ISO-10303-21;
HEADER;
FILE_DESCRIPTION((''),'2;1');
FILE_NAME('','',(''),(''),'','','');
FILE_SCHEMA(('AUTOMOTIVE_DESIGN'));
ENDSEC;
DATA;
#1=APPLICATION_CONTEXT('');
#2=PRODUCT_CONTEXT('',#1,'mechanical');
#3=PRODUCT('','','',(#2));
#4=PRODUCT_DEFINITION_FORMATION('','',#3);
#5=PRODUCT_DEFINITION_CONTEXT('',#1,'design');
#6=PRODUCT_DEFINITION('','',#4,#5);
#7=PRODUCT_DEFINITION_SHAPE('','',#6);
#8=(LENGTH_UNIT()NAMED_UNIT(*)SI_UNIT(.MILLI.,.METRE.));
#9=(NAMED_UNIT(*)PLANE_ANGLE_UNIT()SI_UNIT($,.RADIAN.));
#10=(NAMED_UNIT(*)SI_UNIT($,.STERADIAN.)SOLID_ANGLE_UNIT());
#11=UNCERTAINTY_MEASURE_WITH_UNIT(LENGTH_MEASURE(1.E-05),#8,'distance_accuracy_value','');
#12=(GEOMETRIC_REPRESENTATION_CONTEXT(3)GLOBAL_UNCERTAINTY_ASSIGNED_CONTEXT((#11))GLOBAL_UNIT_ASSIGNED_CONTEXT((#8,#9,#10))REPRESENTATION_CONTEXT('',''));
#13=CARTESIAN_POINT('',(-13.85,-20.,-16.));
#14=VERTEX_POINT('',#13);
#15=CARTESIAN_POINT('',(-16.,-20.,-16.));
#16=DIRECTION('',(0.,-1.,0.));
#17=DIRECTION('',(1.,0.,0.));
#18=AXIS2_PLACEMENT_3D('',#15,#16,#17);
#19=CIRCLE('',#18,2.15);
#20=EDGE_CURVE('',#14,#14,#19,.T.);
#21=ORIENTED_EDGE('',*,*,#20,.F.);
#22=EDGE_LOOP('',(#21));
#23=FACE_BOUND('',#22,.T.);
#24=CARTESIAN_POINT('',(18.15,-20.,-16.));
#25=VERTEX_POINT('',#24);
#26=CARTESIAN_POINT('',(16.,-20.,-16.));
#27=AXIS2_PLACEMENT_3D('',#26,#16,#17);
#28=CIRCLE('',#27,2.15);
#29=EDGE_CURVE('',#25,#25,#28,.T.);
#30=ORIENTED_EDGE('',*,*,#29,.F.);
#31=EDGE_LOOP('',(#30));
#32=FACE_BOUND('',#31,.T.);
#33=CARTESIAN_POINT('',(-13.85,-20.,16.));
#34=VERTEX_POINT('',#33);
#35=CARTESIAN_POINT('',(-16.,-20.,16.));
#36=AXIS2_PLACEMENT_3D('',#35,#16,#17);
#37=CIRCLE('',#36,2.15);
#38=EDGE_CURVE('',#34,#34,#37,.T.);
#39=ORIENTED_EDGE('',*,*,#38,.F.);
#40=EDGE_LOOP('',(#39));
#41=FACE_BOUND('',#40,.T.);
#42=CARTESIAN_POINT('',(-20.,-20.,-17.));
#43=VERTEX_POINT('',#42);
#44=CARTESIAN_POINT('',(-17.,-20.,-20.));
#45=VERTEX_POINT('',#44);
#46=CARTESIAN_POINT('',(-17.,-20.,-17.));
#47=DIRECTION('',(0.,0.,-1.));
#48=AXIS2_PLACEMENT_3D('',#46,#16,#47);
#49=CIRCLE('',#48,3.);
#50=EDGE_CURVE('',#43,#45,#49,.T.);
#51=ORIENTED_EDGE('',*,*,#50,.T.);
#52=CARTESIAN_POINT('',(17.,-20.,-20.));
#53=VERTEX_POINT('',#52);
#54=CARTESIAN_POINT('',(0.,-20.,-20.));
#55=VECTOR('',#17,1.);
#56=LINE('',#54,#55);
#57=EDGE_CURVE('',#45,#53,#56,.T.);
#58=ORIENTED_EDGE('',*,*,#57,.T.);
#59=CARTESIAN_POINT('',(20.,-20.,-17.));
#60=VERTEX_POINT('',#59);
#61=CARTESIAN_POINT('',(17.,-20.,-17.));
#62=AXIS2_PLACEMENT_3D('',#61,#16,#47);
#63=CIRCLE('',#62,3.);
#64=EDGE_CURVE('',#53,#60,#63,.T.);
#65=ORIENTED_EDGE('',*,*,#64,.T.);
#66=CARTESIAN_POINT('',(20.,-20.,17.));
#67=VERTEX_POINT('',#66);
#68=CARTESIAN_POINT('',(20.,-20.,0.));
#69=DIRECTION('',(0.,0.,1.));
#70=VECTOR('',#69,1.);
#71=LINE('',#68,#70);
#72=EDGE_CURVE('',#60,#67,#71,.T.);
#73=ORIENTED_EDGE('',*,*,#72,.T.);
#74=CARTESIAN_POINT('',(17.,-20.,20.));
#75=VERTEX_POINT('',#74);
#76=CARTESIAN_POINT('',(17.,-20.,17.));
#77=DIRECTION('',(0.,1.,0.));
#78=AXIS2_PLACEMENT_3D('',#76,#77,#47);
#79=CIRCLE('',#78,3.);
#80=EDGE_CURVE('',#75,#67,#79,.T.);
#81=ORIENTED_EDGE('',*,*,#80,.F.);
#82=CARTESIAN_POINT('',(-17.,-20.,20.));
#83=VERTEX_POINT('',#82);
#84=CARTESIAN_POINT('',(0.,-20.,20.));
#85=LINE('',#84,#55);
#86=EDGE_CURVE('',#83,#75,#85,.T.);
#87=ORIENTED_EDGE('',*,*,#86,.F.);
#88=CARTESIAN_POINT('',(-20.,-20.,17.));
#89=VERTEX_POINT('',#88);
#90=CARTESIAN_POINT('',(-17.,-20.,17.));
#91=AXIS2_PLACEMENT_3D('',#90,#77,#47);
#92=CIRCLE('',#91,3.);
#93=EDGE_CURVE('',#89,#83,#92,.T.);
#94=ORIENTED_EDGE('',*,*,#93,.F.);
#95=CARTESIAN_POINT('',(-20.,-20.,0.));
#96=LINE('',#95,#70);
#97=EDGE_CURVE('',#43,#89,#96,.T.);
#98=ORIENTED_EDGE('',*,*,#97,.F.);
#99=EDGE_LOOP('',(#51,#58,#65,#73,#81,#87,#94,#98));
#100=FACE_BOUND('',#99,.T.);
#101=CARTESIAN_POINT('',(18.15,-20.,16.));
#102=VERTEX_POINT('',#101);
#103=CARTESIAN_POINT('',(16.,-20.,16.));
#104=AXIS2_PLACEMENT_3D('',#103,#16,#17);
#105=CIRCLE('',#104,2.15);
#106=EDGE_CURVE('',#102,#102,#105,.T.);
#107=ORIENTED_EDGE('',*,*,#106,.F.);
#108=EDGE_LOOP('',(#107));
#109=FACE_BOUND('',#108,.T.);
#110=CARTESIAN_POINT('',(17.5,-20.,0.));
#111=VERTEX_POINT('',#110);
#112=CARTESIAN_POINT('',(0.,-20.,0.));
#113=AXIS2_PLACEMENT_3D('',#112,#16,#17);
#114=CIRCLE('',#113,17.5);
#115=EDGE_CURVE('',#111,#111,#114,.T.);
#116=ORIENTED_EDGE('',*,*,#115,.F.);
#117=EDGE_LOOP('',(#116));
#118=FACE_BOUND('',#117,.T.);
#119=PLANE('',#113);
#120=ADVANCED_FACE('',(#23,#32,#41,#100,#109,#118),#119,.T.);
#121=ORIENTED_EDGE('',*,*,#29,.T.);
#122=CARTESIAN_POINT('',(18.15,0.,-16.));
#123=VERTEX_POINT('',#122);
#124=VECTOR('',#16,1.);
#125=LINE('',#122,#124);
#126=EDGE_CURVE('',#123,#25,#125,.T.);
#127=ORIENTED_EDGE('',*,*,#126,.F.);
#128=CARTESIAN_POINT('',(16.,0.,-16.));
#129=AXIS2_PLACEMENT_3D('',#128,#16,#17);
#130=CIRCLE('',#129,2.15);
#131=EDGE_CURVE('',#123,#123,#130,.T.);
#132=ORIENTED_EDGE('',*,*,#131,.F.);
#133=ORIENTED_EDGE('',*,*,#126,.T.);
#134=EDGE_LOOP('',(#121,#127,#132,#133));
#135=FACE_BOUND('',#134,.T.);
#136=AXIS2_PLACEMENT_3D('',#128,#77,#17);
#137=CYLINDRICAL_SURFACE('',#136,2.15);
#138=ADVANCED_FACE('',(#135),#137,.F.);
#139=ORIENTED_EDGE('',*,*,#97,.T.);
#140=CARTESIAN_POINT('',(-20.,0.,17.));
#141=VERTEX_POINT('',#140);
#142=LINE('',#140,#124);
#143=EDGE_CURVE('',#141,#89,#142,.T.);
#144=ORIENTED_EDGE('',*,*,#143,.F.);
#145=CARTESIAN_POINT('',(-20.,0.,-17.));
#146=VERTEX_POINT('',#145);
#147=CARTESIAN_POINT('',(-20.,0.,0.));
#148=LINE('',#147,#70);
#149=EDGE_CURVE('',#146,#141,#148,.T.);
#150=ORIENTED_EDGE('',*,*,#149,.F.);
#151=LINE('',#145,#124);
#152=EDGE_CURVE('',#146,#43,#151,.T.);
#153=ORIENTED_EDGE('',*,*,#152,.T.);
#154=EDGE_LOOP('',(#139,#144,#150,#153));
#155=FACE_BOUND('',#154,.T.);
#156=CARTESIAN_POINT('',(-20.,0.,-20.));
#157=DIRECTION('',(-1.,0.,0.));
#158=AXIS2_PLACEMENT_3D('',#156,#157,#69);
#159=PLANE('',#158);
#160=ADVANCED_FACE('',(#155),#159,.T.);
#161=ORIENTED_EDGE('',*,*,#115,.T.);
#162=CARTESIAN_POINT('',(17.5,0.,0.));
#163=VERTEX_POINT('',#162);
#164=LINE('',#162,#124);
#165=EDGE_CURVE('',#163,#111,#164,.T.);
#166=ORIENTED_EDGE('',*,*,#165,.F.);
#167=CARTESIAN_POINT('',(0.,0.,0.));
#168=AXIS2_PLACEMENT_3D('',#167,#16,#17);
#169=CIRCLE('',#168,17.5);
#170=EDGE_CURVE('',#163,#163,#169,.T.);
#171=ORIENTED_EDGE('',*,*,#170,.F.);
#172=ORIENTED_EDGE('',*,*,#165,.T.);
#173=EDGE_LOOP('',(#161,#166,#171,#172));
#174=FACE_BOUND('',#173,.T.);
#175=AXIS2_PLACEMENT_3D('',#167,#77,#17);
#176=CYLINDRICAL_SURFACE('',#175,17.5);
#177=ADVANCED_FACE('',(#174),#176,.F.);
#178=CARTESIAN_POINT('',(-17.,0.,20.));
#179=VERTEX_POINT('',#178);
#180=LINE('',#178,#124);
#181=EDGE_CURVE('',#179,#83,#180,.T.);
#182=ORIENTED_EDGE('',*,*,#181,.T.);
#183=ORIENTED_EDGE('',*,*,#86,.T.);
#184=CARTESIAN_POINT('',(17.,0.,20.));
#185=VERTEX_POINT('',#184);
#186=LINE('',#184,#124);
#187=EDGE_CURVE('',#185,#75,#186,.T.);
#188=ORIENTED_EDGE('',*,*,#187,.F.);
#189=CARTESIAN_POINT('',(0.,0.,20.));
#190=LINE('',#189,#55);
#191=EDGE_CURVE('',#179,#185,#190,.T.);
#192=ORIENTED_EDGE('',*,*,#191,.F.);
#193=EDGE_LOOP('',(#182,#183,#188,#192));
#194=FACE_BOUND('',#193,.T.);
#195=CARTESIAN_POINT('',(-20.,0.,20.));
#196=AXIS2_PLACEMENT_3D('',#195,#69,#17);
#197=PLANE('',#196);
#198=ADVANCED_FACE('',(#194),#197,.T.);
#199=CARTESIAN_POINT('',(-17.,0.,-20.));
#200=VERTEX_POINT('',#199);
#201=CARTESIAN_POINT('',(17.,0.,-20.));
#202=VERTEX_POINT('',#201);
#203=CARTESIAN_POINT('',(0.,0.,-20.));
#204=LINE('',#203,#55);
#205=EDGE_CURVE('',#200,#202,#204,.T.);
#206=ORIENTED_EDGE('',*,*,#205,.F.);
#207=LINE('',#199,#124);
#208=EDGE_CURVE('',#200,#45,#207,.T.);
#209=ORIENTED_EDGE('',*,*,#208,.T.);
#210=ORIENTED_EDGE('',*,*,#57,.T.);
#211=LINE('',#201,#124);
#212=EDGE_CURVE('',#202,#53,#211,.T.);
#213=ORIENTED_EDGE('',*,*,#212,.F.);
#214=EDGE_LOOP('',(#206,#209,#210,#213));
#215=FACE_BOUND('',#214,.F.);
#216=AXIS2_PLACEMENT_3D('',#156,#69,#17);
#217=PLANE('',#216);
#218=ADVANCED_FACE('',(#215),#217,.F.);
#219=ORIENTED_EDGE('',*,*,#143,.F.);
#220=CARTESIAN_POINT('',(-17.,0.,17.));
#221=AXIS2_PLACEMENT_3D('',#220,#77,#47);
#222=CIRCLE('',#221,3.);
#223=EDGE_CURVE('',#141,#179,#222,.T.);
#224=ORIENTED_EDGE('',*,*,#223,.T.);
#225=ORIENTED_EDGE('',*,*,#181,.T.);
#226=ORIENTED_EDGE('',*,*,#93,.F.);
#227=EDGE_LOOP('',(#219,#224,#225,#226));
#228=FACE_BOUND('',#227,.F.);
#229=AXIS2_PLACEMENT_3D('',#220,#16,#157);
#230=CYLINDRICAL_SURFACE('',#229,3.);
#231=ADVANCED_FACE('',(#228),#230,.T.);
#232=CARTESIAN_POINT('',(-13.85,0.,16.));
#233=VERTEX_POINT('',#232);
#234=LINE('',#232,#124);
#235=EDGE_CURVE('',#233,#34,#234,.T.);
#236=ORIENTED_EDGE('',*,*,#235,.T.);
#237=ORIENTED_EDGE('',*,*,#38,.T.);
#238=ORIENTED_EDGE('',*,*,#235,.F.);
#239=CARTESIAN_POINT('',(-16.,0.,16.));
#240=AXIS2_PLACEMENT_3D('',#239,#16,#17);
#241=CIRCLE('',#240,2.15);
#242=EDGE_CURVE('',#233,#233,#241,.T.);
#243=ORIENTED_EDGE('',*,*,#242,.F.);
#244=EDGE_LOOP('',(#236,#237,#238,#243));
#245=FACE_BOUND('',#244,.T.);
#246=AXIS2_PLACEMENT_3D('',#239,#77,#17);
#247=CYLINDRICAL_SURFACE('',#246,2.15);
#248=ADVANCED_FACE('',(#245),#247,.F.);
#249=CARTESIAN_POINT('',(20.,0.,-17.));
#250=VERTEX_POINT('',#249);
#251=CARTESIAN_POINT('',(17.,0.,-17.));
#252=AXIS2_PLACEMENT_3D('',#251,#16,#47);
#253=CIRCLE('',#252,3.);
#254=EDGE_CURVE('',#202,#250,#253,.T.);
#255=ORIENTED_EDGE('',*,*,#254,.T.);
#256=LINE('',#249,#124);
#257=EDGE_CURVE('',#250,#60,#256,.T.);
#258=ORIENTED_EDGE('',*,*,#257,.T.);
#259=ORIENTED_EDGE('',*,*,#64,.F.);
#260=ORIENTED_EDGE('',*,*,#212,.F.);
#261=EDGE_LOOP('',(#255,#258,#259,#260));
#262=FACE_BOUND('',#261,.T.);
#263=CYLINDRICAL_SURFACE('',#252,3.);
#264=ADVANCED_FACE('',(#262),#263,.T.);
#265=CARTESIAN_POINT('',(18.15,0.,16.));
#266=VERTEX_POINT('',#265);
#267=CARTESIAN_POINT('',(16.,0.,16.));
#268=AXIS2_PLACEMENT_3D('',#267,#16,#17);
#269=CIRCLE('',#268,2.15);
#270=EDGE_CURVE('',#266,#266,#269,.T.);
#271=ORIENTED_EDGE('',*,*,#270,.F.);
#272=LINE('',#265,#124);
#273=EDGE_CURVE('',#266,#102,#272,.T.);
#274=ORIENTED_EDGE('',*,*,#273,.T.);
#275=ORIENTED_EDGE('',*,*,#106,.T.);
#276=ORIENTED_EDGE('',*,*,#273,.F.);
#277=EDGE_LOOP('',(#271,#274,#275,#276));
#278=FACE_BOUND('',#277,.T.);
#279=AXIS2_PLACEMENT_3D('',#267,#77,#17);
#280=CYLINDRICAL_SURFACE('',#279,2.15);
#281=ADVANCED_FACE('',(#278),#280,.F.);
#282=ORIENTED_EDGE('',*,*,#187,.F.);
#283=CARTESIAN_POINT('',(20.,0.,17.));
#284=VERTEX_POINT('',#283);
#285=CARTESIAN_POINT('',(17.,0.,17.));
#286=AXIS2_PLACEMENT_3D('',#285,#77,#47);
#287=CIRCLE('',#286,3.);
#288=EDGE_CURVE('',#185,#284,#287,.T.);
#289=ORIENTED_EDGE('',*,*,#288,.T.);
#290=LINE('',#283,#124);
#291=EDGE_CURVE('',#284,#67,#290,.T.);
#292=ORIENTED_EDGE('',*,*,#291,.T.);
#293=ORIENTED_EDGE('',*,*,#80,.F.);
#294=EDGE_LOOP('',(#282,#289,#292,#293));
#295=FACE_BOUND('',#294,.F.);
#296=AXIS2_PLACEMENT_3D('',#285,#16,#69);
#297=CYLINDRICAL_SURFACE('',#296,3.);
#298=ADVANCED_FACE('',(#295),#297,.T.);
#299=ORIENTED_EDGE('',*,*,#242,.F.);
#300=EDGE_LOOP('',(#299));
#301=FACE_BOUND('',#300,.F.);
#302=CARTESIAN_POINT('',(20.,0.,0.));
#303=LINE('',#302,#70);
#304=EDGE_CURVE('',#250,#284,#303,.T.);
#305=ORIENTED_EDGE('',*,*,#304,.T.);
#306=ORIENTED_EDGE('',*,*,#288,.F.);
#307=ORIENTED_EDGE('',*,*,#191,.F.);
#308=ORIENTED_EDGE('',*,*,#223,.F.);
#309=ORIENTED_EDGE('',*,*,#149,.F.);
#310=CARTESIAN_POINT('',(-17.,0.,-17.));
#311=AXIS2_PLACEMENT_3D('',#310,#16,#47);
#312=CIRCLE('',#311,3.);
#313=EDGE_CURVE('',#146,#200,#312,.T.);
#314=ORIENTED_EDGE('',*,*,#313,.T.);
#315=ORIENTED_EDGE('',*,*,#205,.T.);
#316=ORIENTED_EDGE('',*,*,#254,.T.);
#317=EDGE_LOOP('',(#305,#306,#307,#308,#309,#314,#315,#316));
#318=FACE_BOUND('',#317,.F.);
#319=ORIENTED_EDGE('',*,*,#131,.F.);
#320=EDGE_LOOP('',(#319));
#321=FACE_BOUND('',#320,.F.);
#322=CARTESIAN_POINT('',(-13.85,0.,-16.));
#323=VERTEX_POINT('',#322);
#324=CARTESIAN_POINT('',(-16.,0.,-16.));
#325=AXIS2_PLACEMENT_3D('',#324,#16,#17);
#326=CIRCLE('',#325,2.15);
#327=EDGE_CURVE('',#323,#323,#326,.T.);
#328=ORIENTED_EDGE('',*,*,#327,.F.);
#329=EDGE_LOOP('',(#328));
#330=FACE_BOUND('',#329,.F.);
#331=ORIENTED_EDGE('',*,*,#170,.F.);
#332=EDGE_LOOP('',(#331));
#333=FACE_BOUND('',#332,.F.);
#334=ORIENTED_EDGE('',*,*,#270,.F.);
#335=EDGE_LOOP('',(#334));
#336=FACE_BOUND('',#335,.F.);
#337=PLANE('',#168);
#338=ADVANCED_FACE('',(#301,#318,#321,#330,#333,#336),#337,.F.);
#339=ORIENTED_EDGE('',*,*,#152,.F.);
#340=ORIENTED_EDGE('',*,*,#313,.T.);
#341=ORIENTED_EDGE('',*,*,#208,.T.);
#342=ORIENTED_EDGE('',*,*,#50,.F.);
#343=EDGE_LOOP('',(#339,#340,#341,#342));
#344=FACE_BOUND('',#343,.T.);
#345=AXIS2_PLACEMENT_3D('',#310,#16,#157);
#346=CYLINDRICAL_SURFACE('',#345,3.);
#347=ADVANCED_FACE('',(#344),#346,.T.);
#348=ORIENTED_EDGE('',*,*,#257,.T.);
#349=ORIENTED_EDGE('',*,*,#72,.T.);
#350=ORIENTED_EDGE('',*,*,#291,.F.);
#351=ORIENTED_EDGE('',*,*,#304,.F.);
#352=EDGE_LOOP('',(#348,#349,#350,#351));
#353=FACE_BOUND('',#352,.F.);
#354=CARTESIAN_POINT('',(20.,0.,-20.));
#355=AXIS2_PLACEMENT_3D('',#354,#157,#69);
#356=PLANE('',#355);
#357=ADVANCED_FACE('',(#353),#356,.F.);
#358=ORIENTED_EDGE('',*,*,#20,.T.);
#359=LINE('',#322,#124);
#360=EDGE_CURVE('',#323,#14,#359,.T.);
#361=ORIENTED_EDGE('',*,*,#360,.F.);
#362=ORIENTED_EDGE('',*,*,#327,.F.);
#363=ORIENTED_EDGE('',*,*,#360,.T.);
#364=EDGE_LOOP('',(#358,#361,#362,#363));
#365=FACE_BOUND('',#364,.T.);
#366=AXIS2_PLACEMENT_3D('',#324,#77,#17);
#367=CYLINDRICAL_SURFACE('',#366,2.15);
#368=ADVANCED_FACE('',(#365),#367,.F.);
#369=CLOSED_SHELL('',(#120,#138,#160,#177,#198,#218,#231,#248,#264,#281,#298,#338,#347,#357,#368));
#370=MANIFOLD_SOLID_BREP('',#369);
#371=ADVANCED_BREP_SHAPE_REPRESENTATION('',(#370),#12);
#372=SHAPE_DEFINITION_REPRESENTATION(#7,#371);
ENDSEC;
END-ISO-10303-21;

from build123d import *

# Parameters (mm, degrees)
F0_W     = 40
F0_H     = 40
F0_R     = 2.15
F0_R_2   = 17.5
F1_DEPTH = 20
F2_R     = 3


with BuildPart() as f1:
    # F0 (on Front) → F1 (new body)
    with BuildSketch(Plane.XZ):
        Rectangle(F0_W, F0_H)
        with Locations((-16, -16)):
            Circle(F0_R, mode=Mode.SUBTRACT)
        with Locations((16, -16)):
            Circle(F0_R, mode=Mode.SUBTRACT)
        with Locations((-16, 16)):
            Circle(F0_R, mode=Mode.SUBTRACT)
        Circle(F0_R_2, mode=Mode.SUBTRACT)
        with Locations((16, 16)):
            Circle(F0_R, mode=Mode.SUBTRACT)
    extrude(amount=F1_DEPTH)

    # F2
    f2_edges = [f1.edges().sort_by_distance(p)[0] for p in [
        (-20, -10, 20),
        (20, -10, 20),
        (20, -10, -20),
        (-20, -10, -20),
    ]]
    fillet(f2_edges, radius=F2_R)


solid = f1.part
